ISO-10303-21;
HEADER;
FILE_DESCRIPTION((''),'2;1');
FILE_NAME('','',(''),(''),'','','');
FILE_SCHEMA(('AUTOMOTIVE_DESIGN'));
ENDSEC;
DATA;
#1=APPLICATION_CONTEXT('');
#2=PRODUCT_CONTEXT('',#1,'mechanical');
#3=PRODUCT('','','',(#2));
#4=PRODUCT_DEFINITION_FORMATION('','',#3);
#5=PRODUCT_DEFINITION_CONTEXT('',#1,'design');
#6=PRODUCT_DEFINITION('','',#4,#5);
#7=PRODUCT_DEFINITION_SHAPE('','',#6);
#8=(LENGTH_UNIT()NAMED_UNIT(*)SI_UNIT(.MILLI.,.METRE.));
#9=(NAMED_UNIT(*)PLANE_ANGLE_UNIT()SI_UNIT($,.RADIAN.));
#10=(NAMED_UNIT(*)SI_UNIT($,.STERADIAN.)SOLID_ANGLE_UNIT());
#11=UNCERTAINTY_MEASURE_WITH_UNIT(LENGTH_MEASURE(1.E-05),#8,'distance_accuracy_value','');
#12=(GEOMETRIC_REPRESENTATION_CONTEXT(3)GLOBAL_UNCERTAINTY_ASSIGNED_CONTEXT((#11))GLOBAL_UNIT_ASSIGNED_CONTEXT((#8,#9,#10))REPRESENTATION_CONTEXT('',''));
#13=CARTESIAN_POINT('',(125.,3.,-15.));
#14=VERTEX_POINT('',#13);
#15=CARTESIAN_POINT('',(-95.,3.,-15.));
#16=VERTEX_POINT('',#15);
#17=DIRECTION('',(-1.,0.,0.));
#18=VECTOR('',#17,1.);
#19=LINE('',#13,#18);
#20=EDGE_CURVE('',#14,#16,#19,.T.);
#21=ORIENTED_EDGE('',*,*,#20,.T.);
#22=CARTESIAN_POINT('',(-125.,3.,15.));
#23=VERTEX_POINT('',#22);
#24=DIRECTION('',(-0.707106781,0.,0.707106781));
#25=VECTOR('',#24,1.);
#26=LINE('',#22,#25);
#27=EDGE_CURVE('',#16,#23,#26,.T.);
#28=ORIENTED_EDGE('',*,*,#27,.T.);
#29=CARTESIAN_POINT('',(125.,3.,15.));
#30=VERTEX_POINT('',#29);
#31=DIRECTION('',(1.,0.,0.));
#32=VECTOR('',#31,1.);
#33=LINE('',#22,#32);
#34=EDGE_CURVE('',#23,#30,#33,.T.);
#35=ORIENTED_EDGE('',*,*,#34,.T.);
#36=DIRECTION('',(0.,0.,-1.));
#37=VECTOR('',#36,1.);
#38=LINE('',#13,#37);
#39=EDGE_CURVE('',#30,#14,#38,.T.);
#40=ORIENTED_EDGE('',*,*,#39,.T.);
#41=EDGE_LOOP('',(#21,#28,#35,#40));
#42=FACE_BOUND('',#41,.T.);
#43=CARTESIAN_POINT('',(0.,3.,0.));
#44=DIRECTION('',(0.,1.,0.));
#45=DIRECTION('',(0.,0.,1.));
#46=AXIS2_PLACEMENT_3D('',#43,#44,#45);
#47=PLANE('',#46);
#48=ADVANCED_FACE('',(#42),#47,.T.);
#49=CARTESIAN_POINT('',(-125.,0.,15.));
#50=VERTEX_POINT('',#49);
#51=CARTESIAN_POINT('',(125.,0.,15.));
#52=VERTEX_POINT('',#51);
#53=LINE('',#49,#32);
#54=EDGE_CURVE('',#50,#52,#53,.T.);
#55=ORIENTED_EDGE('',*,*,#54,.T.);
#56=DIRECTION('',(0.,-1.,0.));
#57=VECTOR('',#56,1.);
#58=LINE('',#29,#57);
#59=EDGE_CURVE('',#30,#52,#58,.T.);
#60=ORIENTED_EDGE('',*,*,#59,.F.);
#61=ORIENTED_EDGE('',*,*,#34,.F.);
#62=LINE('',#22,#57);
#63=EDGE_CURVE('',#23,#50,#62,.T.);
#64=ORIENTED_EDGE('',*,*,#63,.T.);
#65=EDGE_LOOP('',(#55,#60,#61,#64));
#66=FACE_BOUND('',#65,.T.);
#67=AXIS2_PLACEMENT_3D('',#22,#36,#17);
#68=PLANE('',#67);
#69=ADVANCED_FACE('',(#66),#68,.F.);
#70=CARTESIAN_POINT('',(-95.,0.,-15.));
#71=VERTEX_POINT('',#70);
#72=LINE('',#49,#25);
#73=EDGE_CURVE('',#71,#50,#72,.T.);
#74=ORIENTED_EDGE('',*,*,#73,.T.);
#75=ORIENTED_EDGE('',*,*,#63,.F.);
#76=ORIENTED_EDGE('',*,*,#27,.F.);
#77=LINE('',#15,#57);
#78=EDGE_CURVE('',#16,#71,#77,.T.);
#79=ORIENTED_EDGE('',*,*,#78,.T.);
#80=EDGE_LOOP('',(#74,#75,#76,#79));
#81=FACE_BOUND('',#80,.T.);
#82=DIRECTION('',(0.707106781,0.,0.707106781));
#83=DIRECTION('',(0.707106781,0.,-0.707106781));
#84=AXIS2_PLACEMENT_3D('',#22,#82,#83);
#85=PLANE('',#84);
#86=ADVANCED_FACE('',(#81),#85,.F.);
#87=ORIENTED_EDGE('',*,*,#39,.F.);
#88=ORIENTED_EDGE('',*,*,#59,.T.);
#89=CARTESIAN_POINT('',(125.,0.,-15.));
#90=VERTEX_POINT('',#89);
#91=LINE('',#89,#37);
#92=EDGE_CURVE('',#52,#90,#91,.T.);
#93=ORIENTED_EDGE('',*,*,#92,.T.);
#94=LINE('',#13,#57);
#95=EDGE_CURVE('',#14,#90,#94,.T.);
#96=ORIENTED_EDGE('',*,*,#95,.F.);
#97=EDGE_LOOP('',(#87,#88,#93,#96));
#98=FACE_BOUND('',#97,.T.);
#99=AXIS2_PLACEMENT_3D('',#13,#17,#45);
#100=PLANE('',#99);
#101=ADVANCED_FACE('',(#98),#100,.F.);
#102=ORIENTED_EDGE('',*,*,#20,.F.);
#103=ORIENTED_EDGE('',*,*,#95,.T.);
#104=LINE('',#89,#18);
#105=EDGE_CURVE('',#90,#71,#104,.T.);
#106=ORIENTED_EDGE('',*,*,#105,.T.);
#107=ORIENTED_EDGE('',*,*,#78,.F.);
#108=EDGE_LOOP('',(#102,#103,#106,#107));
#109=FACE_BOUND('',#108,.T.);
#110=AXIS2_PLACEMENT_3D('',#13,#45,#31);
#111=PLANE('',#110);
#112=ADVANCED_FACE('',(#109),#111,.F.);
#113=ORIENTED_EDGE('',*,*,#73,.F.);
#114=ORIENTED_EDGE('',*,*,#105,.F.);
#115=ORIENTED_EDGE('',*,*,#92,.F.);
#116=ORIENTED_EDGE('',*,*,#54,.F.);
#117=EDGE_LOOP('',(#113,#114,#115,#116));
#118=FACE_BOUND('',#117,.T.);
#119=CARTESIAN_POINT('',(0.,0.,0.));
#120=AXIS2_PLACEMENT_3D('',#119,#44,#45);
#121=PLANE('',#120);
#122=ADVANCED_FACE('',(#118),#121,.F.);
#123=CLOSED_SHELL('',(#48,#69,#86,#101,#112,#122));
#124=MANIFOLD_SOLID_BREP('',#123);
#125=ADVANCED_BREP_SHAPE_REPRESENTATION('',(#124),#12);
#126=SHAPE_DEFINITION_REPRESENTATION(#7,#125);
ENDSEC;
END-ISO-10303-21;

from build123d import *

# Parameters (mm, degrees)
BOSS_EXTRUDE2_DEPTH = 3


with BuildPart() as part:
    # Sketch1 → Boss-Extrude2 (new body)
    with BuildSketch(Plane(origin=(0, 0, 0), x_dir=(1, 0, 0), z_dir=(0, 1, 0))):
        Polygon((-125, -15), (-95, 15), (125, 15), (125, -15), align=None)
    extrude(amount=BOSS_EXTRUDE2_DEPTH)


solid = part.part
